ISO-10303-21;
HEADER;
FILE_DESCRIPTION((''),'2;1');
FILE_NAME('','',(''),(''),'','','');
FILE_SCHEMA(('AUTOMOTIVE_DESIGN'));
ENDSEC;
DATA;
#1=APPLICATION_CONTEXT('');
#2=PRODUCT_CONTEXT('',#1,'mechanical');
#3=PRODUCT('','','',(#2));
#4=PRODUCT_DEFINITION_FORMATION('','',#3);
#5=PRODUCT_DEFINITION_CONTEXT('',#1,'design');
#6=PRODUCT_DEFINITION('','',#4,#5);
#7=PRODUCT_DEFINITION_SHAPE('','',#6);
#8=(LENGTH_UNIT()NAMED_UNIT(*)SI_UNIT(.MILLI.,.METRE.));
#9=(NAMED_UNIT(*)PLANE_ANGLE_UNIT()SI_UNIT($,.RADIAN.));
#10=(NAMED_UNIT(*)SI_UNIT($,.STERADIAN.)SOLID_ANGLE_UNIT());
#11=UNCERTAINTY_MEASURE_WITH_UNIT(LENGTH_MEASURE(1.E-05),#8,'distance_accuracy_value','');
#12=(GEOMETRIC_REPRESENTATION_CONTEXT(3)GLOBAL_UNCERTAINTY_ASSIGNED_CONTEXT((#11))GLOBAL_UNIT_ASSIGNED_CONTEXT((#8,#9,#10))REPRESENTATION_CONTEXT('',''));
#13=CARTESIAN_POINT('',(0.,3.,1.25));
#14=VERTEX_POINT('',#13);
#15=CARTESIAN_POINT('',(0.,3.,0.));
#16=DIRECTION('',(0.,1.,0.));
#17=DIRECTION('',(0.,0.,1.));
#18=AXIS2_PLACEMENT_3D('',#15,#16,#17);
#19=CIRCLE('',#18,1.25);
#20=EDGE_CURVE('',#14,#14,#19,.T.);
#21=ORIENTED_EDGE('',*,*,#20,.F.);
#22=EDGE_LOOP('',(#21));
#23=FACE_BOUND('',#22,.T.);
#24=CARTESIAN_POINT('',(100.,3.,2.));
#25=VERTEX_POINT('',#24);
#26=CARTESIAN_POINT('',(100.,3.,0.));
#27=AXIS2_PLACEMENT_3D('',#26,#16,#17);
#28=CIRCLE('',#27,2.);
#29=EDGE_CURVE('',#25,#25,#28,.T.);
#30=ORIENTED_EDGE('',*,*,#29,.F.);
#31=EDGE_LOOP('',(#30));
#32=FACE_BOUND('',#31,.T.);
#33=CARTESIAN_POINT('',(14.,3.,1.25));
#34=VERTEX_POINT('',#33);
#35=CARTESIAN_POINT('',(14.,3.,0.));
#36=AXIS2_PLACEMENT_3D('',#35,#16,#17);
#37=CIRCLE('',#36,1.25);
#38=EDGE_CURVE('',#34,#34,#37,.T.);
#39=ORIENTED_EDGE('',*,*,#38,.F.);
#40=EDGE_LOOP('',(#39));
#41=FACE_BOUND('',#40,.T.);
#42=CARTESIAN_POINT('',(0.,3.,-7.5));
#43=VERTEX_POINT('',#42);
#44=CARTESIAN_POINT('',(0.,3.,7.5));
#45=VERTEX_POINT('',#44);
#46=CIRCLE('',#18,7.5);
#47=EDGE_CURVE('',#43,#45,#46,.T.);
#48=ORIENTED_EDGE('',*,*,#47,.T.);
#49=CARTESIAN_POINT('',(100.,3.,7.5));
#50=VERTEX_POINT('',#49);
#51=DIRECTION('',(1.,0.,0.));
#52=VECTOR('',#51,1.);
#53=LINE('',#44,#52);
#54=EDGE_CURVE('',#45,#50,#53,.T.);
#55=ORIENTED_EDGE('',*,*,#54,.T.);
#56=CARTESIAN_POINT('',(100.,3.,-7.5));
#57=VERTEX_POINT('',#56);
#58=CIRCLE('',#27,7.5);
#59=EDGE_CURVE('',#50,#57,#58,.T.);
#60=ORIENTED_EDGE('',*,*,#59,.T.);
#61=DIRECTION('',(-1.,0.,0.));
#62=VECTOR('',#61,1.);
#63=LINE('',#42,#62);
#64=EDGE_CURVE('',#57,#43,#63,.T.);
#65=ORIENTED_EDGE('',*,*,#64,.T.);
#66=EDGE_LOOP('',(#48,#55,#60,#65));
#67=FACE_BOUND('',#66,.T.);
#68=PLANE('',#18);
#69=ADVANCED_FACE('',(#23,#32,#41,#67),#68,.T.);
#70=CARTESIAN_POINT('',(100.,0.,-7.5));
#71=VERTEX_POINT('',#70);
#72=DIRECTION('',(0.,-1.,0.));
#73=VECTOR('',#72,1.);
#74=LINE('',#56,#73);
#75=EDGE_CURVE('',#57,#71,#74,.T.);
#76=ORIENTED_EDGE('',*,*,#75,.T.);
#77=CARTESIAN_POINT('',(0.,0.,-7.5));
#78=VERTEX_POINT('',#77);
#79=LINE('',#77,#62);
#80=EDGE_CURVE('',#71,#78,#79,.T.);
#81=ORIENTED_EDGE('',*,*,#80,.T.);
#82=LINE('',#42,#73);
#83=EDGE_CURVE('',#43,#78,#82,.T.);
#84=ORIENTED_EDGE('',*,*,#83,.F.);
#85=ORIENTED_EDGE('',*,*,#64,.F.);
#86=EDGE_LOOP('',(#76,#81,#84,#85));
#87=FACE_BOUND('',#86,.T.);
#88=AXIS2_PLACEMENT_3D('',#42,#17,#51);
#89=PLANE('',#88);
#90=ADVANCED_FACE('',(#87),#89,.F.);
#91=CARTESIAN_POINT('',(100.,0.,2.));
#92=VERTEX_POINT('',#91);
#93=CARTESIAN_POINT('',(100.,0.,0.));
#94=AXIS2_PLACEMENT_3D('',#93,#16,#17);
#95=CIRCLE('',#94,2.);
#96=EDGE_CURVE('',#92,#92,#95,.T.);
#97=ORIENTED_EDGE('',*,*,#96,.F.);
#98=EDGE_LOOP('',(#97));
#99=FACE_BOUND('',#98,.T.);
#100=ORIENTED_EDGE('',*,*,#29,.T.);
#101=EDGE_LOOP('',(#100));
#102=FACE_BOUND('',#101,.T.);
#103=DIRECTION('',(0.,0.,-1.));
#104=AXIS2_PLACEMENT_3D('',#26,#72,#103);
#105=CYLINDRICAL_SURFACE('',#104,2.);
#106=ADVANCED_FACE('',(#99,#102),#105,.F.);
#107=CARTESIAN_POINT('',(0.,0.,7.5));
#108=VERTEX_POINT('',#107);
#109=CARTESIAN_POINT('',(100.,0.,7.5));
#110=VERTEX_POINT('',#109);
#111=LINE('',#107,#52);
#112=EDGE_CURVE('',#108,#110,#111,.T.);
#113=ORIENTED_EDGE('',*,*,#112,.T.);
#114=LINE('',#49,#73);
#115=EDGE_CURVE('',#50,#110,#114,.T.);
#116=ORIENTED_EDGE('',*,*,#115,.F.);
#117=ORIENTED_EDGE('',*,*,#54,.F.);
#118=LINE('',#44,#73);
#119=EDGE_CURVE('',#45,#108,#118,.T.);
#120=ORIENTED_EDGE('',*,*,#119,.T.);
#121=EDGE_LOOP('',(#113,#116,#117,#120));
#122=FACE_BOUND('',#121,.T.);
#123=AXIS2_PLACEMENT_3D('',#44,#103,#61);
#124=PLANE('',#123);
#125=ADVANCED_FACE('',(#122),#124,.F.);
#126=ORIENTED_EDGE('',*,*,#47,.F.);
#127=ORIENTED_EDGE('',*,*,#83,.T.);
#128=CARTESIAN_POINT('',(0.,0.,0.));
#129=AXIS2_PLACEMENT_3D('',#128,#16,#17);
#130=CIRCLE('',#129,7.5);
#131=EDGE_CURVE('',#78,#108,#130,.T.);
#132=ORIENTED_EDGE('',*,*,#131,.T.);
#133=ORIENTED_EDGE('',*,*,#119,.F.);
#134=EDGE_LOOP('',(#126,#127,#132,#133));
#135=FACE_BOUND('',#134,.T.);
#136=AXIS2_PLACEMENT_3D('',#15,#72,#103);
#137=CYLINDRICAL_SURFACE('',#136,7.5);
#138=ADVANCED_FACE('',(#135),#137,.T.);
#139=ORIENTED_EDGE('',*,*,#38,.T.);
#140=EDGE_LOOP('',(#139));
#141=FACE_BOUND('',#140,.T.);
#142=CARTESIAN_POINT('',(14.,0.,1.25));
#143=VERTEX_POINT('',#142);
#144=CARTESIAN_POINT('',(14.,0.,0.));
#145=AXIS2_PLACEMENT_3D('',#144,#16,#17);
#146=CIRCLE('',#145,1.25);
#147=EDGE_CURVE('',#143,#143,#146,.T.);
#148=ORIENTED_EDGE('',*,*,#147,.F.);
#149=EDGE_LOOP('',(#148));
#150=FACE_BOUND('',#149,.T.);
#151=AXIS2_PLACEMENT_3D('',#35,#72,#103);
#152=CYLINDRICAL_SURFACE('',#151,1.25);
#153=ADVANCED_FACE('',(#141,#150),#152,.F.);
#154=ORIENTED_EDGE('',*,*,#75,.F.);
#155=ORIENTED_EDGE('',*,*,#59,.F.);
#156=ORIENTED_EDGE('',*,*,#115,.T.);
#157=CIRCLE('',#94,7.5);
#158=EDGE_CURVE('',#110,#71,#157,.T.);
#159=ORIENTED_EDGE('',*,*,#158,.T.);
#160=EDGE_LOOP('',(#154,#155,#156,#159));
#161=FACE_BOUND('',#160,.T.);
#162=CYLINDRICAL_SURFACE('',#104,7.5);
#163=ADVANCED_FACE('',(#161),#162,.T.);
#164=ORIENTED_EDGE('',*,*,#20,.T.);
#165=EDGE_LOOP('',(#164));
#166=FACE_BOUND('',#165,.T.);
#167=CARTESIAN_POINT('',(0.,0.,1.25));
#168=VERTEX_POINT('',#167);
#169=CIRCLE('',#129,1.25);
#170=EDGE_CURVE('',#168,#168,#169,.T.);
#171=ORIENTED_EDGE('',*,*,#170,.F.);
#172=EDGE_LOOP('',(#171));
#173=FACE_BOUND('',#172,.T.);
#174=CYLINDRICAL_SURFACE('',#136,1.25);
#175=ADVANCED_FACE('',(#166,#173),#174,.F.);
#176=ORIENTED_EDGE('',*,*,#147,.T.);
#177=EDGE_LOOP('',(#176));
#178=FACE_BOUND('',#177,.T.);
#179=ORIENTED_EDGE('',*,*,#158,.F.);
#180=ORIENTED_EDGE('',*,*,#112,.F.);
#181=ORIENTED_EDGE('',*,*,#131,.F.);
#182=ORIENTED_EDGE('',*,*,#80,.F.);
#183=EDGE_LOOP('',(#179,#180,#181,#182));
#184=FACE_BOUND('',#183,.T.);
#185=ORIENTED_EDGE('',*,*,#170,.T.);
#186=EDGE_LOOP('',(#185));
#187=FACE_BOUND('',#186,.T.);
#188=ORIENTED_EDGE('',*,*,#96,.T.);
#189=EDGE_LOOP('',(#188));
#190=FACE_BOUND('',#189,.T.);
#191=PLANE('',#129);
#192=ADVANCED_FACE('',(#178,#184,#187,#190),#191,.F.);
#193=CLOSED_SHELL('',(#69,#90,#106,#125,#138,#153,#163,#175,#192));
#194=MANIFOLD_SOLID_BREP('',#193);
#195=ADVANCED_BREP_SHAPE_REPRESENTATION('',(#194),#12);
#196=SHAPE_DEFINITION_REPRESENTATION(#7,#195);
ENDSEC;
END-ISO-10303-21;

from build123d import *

# Parameters (mm, degrees)
SKETCH1_R           = 2
SKETCH1_R_2         = 1.25
BOSS_EXTRUDE1_DEPTH = 3


with BuildPart() as part:
    # Sketch1 → Boss-Extrude1 (new body)
    with BuildSketch(Plane(origin=(0, 0, 0), x_dir=(1, 0, 0), z_dir=(0, 1, 0))):
        with BuildLine():
            Line((0, 7.5), (100, 7.5))
            ThreePointArc((100, 7.5), (107.5, 0), (100, -7.5))
            Line((100, -7.5), (0, -7.5))
            ThreePointArc((0, -7.5), (-7.5, 0), (0, 7.5))
        make_face()
        with Locations(Location((100, 0, 0), (0, 0, 270))):
            Circle(SKETCH1_R, mode=Mode.SUBTRACT)
        with Locations(Location((0, 0, 0), (0, 0, 270))):
            Circle(SKETCH1_R_2, mode=Mode.SUBTRACT)
        with Locations(Location((14, 0, 0), (0, 0, 270))):
            Circle(SKETCH1_R_2, mode=Mode.SUBTRACT)
    extrude(amount=BOSS_EXTRUDE1_DEPTH)


solid = part.part
